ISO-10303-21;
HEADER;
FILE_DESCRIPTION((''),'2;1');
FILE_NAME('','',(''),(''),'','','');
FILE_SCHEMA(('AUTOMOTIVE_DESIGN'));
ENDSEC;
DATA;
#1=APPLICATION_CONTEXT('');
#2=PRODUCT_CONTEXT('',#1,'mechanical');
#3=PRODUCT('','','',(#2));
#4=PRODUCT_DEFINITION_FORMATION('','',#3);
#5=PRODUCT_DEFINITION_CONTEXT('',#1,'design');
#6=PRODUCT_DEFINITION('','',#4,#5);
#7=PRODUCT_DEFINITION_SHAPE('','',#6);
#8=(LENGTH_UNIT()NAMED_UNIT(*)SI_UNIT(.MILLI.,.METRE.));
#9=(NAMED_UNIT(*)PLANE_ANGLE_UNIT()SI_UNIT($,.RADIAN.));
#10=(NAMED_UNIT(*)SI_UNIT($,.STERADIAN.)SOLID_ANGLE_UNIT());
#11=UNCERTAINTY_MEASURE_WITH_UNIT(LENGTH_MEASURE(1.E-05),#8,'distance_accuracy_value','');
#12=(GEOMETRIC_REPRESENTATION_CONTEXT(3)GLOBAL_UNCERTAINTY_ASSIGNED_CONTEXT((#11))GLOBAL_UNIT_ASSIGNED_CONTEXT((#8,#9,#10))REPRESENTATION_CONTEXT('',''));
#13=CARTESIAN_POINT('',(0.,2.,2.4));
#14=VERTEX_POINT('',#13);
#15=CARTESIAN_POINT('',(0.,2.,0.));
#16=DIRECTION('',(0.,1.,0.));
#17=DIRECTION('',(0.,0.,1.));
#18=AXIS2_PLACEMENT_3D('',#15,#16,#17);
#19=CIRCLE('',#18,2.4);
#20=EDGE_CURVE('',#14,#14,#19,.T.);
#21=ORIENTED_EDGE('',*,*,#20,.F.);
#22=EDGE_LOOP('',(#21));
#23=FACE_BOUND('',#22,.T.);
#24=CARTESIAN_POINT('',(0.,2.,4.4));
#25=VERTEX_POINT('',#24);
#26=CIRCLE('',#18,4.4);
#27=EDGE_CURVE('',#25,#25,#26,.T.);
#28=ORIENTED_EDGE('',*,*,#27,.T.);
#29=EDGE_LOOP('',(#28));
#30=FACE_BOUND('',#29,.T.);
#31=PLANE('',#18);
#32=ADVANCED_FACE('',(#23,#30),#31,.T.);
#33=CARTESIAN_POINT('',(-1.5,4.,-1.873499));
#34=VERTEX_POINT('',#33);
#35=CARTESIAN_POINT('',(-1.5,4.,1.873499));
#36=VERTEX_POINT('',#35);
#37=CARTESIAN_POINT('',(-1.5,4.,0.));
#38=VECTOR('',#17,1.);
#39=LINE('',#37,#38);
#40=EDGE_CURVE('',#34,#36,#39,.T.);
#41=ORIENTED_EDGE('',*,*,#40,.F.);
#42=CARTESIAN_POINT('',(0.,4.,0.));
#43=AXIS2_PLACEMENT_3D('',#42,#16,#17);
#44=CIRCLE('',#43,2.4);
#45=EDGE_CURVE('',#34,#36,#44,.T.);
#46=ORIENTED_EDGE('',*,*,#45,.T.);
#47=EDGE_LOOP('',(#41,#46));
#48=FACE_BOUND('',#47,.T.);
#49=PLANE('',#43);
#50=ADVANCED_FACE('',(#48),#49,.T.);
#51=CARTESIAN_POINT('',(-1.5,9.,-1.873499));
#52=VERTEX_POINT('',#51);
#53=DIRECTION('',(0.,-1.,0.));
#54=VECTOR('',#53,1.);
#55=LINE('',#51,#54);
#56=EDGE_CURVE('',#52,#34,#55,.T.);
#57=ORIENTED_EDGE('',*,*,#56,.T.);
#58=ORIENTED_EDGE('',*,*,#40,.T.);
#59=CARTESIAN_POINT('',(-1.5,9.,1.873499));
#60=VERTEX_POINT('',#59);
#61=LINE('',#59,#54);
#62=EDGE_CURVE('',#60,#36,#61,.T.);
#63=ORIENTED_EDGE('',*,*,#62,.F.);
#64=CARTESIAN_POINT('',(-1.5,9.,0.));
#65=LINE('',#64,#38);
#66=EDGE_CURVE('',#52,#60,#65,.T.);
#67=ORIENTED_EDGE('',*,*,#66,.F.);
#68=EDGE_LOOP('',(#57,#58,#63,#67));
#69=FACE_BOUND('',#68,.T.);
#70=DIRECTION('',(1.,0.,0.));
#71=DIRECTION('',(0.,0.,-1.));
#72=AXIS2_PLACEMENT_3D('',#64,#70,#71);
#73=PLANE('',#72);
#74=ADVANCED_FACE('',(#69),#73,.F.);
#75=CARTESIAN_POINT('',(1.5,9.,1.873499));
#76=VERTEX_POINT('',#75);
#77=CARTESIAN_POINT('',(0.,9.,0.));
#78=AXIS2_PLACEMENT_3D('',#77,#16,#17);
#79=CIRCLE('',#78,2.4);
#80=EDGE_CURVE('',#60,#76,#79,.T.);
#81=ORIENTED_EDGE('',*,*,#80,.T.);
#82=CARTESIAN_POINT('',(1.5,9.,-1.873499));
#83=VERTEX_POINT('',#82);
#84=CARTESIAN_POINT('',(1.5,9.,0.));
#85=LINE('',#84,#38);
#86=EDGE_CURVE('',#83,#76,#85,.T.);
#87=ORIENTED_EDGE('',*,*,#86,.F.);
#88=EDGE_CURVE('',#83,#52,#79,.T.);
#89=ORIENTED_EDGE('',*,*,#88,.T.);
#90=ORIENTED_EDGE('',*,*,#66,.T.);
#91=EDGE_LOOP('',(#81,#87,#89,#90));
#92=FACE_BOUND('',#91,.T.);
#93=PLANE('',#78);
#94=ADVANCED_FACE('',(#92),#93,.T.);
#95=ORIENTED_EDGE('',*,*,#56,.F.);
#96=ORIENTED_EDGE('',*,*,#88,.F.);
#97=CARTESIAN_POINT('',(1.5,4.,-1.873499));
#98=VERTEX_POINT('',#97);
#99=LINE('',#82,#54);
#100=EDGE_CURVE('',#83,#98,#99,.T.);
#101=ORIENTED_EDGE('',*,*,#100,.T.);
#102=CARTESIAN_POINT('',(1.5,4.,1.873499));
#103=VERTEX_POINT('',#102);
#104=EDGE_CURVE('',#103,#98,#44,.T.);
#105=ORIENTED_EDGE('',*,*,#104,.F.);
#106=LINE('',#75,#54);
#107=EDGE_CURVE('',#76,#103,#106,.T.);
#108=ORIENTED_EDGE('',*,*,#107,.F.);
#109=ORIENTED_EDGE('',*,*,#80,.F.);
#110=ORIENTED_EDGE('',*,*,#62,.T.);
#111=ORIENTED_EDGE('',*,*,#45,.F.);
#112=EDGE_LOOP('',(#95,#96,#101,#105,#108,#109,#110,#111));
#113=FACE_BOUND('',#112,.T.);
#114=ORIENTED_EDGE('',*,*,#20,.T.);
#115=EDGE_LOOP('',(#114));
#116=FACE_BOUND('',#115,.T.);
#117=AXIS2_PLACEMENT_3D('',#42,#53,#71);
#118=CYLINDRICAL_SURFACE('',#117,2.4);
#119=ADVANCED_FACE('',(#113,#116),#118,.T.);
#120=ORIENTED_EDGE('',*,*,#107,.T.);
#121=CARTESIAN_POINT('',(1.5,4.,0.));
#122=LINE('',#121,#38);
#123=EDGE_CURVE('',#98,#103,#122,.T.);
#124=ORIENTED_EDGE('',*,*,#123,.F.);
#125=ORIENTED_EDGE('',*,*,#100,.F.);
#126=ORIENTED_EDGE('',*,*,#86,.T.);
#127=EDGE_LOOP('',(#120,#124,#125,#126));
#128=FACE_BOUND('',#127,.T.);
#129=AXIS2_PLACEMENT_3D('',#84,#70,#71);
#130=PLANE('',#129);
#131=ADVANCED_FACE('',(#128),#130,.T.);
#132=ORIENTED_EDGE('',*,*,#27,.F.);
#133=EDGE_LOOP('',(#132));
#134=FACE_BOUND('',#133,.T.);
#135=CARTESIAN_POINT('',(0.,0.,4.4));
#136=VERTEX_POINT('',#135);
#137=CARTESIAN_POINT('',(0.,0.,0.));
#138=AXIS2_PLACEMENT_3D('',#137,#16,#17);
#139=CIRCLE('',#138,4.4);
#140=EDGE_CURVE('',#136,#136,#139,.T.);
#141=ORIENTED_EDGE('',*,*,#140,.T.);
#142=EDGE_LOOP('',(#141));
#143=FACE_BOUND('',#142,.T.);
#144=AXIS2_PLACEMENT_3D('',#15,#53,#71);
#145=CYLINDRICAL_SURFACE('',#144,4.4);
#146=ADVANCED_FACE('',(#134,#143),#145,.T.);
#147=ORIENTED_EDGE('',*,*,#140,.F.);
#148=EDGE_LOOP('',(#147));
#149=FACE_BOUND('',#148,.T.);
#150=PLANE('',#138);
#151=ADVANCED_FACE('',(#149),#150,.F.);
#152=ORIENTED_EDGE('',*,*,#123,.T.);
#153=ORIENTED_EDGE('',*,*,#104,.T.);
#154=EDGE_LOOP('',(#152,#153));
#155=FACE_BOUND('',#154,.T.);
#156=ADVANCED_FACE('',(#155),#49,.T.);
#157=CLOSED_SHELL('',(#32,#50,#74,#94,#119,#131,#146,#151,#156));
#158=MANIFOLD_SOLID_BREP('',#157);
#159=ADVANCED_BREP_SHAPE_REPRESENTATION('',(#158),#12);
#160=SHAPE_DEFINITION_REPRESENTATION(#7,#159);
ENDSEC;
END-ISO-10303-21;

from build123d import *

# Parameters (mm, degrees)
SKETCH1_R           = 4.4
BOSS_EXTRUDE1_DEPTH = 2
SKETCH2_R           = 2.4
BOSS_EXTRUDE2_DEPTH = 2
SKETCH3_W           = 3
SKETCH3_H           = 3
BOSS_EXTRUDE3_DEPTH = 5


with BuildPart() as part:
    # Sketch1 → Boss-Extrude1 (new body)
    with BuildSketch(Plane(origin=(0, 0, 0), x_dir=(1, 0, 0), z_dir=(0, 1, 0))):
        with Locations(Location((0, 0, 0), (0, 0, 270))):
            Circle(SKETCH1_R)
    extrude(amount=BOSS_EXTRUDE1_DEPTH)

    # Sketch2 → Boss-Extrude2 (add)
    with BuildSketch(Plane(origin=(0, 2, 0), x_dir=(1, 0, 0), z_dir=(0, 1, 0))):
        with Locations(Location((0, 0, 0), (0, 0, 270))):
            Circle(SKETCH2_R)
    extrude(amount=BOSS_EXTRUDE2_DEPTH)

    # Sketch3 → Boss-Extrude3 (add)
    with BuildSketch(Plane(origin=(0, 4, 0), x_dir=(1, 0, 0), z_dir=(0, 1, 0))):
        with BuildLine():
            ThreePointArc((1.5, 1.8734994), (0, 2.4), (-1.5, 1.8734994))
            Line((-1.5, 1.8734994), (-1.5, 1.5))
            Line((-1.5, 1.5), (1.5, 1.5))
            Line((1.5, 1.5), (1.5, 1.8734994))
        make_face()
        Rectangle(SKETCH3_W, SKETCH3_H)
        with BuildLine():
            Line((1.5, -1.5), (-1.5, -1.5))
            Line((-1.5, -1.5), (-1.5, -1.8734994))
            ThreePointArc((-1.5, -1.8734994), (0, -2.4), (1.5, -1.8734994))
            Line((1.5, -1.8734994), (1.5, -1.5))
        make_face()
    extrude(amount=BOSS_EXTRUDE3_DEPTH)


solid = part.part
